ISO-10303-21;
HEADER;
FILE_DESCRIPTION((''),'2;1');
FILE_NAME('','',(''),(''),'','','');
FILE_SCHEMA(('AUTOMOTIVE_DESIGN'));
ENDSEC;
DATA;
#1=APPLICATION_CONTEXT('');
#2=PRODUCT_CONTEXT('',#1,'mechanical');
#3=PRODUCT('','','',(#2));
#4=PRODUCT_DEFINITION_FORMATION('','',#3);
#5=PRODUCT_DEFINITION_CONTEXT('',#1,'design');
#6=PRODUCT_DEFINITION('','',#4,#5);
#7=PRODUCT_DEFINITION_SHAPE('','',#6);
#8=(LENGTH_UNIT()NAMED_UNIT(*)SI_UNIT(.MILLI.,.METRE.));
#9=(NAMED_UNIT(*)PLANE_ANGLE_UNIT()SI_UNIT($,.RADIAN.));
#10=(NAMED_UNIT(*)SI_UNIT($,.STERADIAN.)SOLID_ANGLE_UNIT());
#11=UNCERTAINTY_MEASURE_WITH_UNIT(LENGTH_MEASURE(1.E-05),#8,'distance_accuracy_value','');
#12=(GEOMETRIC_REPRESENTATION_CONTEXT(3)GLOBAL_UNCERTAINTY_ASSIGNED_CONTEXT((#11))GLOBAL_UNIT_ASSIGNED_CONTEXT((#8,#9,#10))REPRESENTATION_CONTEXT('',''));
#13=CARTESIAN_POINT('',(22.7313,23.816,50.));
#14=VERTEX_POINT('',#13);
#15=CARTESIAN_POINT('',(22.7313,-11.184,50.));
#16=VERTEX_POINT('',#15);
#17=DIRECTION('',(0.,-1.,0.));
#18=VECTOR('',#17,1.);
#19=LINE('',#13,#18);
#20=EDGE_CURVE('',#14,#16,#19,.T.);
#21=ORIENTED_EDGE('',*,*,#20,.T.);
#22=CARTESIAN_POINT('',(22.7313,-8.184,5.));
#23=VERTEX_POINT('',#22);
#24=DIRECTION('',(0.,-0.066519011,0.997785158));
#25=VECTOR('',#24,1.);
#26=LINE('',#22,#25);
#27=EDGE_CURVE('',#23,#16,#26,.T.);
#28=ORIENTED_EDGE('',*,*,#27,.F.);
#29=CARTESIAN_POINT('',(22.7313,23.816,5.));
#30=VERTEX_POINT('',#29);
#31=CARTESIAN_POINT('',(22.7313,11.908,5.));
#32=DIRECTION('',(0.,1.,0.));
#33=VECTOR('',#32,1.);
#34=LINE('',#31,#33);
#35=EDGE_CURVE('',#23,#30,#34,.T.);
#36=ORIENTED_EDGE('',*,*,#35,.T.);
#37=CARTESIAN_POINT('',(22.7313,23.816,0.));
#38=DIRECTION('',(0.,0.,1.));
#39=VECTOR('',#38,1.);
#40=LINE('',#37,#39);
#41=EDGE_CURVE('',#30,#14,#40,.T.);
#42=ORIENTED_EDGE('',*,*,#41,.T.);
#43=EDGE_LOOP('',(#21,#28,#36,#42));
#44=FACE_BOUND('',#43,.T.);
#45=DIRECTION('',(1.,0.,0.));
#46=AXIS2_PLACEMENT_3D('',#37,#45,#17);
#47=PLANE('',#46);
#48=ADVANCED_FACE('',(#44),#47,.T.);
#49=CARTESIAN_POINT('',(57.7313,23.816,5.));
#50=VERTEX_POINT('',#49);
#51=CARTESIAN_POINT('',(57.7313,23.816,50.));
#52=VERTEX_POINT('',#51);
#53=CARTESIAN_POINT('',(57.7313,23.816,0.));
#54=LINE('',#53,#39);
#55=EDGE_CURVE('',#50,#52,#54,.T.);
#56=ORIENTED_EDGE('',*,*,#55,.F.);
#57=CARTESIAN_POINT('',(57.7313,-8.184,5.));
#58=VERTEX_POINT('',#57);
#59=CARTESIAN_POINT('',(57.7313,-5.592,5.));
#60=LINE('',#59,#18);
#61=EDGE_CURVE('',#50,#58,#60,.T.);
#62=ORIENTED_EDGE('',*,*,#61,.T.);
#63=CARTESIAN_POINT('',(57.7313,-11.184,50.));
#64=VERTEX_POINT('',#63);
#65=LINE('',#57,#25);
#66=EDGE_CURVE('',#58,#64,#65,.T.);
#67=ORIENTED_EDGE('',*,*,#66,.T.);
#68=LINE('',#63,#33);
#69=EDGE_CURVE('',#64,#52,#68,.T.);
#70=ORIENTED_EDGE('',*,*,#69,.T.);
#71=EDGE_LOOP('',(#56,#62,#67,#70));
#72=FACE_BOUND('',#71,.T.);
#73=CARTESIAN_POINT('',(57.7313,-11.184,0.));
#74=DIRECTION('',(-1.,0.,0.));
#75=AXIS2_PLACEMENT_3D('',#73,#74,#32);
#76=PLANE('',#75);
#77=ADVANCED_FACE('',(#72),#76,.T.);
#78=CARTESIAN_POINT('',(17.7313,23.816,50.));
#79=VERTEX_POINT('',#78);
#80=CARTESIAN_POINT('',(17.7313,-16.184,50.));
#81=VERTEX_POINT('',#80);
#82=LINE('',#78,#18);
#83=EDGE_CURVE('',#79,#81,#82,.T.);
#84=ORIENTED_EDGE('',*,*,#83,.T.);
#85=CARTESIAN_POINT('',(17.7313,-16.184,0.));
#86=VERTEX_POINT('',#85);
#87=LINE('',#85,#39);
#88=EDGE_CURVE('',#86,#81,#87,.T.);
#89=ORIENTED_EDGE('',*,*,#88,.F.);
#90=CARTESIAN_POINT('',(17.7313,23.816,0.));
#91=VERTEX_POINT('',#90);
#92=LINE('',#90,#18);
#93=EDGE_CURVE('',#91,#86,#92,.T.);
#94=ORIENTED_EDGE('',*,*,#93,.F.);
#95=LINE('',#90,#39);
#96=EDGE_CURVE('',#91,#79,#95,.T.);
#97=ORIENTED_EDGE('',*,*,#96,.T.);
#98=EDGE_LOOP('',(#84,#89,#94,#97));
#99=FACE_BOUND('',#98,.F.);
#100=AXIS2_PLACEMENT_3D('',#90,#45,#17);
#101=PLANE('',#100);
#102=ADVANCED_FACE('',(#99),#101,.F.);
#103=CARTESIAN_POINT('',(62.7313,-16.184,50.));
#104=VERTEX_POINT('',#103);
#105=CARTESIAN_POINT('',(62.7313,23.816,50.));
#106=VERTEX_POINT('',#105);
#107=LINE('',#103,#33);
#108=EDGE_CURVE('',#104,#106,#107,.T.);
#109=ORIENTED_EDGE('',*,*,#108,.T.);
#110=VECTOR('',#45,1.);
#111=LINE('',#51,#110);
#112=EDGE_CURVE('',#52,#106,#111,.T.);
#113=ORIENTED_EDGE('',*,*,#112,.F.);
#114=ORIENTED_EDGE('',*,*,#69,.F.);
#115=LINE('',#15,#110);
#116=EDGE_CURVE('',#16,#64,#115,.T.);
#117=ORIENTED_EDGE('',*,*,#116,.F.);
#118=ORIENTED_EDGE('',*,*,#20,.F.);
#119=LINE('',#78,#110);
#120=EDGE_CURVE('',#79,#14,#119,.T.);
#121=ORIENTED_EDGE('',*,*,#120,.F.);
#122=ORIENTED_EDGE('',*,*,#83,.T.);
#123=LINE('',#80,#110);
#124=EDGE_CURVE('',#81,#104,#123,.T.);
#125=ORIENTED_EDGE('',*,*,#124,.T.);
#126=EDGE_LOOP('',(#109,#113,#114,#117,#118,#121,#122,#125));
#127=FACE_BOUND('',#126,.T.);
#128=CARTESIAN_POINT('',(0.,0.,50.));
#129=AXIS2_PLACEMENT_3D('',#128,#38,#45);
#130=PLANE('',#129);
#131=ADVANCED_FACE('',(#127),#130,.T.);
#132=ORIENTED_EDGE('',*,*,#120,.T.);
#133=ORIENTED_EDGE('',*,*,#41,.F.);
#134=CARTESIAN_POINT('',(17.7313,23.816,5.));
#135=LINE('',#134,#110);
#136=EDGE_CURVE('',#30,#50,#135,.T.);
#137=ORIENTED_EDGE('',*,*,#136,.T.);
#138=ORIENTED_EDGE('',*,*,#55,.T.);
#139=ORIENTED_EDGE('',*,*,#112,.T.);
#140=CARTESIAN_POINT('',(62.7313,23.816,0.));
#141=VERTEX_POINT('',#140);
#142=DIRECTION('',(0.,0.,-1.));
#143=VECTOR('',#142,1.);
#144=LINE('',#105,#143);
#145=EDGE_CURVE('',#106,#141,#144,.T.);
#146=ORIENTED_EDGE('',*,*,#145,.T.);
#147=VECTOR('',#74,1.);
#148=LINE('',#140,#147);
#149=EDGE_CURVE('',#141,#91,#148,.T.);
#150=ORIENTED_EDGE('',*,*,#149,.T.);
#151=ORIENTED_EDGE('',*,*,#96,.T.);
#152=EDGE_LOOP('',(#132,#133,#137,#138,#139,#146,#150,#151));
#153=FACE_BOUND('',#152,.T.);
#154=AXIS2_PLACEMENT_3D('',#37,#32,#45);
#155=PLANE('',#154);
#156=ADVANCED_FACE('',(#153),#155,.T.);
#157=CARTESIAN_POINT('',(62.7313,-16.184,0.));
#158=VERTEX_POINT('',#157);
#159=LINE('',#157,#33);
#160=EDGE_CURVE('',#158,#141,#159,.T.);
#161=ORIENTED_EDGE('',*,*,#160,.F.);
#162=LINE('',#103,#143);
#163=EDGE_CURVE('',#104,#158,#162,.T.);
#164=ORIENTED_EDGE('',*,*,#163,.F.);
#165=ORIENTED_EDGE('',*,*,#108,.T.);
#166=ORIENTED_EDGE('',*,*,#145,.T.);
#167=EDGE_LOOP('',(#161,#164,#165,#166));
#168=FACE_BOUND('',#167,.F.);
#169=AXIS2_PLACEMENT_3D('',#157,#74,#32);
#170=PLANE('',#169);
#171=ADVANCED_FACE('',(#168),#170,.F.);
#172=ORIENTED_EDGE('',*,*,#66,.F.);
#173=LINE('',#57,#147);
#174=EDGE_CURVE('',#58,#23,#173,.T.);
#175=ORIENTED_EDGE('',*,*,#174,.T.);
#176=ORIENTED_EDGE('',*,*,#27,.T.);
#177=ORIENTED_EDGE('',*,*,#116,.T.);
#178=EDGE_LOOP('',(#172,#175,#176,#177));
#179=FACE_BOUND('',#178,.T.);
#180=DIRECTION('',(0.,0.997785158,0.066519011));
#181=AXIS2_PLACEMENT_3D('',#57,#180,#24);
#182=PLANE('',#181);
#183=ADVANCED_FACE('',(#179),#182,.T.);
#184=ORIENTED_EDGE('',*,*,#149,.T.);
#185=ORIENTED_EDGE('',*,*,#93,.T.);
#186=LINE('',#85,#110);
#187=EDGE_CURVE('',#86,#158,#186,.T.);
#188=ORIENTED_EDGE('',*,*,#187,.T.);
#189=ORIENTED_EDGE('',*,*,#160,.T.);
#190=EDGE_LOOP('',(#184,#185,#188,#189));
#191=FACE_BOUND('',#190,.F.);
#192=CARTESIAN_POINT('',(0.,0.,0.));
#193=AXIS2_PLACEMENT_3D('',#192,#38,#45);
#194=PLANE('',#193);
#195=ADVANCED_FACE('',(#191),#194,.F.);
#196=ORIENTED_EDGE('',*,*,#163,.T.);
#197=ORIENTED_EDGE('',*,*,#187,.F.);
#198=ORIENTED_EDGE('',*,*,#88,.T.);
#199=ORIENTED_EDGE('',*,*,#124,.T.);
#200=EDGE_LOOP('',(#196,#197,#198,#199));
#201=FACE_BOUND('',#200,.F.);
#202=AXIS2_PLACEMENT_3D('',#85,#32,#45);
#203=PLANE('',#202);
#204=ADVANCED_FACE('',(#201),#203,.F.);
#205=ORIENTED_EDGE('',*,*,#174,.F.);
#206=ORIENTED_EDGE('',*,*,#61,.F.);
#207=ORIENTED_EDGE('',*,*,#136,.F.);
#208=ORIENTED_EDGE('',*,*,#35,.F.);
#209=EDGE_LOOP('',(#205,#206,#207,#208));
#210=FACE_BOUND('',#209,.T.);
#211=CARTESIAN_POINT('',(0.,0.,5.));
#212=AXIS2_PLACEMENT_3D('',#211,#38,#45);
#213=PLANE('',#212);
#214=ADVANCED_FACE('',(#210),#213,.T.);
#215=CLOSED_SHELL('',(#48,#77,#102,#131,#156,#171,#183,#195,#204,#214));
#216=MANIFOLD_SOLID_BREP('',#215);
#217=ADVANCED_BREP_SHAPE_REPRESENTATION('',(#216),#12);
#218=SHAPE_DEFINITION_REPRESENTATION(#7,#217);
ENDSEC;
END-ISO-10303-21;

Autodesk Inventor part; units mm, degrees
ref_plane "YZ Plane" through (0, 0, 0) normal (1, 0, 0) x (0, 1, 0)
ref_plane "XZ Plane" through (0, 0, 0) normal (0, 1, 0) x (-1, 0, 0)
ref_plane "XY Plane" through (0, 0, 0) normal (0, 0, 1) x (1, 0, 0)
sketch "Sketch1" plane through (0, 0, 0) normal (0, 0, 1) x (1, 0, 0)
  line L0 (22.7313, 23.816) -> (22.7313, -11.184)
  line L1 (22.7313, -11.184) -> (57.7313, -11.184)
  line L2 (57.7313, -11.184) -> (57.7313, 23.816)
  line L3 (17.7313, 23.816) -> (17.7313, -16.184)
  line L4 (17.7313, -16.184) -> (62.7313, -16.184)
  line L5 (62.7313, -16.184) -> (62.7313, 23.816)
  line L6 (17.7313, 23.816) -> (22.7313, 23.816)
  line L7 (57.7313, 23.816) -> (62.7313, 23.816)
  line L8 (17.7313, 23.816) -> (62.7313, 23.816)
  point P0 (0, 0)
  point P1 (57.7313, 23.816)
  dimension "d0" = 35
  dimension "d1" = 35
  dimension "d2" = 35
  dimension "d3" = 5
extrude "Extrusion1" add sketch "Sketch1" along normal blind 5
extrude "Extrusion2" add sketch "Sketch1" along normal blind 50 contours L0 L1 L2 L7 L5 L4 L3 L6
sketch "Sketch2" plane through (57.7313, -11.184, 5) normal (-1, 0, 0) x (0, 0, 1)
  line L0 (0, 35) -> (0, 0) projected
  line L1 (0, 0) -> (0, 3)
  line L2 (0, 0) -> (45, 0) projected
  line L3 (0, 3) -> (45, 0)
  line L4 (45, 0) -> (0, 3)
  point P0 (-5, 11.184)
  dimension "d8" = 3
extrude "Extrusion3" add sketch "Sketch2" along normal blind 35
properties part number "outstorage"
